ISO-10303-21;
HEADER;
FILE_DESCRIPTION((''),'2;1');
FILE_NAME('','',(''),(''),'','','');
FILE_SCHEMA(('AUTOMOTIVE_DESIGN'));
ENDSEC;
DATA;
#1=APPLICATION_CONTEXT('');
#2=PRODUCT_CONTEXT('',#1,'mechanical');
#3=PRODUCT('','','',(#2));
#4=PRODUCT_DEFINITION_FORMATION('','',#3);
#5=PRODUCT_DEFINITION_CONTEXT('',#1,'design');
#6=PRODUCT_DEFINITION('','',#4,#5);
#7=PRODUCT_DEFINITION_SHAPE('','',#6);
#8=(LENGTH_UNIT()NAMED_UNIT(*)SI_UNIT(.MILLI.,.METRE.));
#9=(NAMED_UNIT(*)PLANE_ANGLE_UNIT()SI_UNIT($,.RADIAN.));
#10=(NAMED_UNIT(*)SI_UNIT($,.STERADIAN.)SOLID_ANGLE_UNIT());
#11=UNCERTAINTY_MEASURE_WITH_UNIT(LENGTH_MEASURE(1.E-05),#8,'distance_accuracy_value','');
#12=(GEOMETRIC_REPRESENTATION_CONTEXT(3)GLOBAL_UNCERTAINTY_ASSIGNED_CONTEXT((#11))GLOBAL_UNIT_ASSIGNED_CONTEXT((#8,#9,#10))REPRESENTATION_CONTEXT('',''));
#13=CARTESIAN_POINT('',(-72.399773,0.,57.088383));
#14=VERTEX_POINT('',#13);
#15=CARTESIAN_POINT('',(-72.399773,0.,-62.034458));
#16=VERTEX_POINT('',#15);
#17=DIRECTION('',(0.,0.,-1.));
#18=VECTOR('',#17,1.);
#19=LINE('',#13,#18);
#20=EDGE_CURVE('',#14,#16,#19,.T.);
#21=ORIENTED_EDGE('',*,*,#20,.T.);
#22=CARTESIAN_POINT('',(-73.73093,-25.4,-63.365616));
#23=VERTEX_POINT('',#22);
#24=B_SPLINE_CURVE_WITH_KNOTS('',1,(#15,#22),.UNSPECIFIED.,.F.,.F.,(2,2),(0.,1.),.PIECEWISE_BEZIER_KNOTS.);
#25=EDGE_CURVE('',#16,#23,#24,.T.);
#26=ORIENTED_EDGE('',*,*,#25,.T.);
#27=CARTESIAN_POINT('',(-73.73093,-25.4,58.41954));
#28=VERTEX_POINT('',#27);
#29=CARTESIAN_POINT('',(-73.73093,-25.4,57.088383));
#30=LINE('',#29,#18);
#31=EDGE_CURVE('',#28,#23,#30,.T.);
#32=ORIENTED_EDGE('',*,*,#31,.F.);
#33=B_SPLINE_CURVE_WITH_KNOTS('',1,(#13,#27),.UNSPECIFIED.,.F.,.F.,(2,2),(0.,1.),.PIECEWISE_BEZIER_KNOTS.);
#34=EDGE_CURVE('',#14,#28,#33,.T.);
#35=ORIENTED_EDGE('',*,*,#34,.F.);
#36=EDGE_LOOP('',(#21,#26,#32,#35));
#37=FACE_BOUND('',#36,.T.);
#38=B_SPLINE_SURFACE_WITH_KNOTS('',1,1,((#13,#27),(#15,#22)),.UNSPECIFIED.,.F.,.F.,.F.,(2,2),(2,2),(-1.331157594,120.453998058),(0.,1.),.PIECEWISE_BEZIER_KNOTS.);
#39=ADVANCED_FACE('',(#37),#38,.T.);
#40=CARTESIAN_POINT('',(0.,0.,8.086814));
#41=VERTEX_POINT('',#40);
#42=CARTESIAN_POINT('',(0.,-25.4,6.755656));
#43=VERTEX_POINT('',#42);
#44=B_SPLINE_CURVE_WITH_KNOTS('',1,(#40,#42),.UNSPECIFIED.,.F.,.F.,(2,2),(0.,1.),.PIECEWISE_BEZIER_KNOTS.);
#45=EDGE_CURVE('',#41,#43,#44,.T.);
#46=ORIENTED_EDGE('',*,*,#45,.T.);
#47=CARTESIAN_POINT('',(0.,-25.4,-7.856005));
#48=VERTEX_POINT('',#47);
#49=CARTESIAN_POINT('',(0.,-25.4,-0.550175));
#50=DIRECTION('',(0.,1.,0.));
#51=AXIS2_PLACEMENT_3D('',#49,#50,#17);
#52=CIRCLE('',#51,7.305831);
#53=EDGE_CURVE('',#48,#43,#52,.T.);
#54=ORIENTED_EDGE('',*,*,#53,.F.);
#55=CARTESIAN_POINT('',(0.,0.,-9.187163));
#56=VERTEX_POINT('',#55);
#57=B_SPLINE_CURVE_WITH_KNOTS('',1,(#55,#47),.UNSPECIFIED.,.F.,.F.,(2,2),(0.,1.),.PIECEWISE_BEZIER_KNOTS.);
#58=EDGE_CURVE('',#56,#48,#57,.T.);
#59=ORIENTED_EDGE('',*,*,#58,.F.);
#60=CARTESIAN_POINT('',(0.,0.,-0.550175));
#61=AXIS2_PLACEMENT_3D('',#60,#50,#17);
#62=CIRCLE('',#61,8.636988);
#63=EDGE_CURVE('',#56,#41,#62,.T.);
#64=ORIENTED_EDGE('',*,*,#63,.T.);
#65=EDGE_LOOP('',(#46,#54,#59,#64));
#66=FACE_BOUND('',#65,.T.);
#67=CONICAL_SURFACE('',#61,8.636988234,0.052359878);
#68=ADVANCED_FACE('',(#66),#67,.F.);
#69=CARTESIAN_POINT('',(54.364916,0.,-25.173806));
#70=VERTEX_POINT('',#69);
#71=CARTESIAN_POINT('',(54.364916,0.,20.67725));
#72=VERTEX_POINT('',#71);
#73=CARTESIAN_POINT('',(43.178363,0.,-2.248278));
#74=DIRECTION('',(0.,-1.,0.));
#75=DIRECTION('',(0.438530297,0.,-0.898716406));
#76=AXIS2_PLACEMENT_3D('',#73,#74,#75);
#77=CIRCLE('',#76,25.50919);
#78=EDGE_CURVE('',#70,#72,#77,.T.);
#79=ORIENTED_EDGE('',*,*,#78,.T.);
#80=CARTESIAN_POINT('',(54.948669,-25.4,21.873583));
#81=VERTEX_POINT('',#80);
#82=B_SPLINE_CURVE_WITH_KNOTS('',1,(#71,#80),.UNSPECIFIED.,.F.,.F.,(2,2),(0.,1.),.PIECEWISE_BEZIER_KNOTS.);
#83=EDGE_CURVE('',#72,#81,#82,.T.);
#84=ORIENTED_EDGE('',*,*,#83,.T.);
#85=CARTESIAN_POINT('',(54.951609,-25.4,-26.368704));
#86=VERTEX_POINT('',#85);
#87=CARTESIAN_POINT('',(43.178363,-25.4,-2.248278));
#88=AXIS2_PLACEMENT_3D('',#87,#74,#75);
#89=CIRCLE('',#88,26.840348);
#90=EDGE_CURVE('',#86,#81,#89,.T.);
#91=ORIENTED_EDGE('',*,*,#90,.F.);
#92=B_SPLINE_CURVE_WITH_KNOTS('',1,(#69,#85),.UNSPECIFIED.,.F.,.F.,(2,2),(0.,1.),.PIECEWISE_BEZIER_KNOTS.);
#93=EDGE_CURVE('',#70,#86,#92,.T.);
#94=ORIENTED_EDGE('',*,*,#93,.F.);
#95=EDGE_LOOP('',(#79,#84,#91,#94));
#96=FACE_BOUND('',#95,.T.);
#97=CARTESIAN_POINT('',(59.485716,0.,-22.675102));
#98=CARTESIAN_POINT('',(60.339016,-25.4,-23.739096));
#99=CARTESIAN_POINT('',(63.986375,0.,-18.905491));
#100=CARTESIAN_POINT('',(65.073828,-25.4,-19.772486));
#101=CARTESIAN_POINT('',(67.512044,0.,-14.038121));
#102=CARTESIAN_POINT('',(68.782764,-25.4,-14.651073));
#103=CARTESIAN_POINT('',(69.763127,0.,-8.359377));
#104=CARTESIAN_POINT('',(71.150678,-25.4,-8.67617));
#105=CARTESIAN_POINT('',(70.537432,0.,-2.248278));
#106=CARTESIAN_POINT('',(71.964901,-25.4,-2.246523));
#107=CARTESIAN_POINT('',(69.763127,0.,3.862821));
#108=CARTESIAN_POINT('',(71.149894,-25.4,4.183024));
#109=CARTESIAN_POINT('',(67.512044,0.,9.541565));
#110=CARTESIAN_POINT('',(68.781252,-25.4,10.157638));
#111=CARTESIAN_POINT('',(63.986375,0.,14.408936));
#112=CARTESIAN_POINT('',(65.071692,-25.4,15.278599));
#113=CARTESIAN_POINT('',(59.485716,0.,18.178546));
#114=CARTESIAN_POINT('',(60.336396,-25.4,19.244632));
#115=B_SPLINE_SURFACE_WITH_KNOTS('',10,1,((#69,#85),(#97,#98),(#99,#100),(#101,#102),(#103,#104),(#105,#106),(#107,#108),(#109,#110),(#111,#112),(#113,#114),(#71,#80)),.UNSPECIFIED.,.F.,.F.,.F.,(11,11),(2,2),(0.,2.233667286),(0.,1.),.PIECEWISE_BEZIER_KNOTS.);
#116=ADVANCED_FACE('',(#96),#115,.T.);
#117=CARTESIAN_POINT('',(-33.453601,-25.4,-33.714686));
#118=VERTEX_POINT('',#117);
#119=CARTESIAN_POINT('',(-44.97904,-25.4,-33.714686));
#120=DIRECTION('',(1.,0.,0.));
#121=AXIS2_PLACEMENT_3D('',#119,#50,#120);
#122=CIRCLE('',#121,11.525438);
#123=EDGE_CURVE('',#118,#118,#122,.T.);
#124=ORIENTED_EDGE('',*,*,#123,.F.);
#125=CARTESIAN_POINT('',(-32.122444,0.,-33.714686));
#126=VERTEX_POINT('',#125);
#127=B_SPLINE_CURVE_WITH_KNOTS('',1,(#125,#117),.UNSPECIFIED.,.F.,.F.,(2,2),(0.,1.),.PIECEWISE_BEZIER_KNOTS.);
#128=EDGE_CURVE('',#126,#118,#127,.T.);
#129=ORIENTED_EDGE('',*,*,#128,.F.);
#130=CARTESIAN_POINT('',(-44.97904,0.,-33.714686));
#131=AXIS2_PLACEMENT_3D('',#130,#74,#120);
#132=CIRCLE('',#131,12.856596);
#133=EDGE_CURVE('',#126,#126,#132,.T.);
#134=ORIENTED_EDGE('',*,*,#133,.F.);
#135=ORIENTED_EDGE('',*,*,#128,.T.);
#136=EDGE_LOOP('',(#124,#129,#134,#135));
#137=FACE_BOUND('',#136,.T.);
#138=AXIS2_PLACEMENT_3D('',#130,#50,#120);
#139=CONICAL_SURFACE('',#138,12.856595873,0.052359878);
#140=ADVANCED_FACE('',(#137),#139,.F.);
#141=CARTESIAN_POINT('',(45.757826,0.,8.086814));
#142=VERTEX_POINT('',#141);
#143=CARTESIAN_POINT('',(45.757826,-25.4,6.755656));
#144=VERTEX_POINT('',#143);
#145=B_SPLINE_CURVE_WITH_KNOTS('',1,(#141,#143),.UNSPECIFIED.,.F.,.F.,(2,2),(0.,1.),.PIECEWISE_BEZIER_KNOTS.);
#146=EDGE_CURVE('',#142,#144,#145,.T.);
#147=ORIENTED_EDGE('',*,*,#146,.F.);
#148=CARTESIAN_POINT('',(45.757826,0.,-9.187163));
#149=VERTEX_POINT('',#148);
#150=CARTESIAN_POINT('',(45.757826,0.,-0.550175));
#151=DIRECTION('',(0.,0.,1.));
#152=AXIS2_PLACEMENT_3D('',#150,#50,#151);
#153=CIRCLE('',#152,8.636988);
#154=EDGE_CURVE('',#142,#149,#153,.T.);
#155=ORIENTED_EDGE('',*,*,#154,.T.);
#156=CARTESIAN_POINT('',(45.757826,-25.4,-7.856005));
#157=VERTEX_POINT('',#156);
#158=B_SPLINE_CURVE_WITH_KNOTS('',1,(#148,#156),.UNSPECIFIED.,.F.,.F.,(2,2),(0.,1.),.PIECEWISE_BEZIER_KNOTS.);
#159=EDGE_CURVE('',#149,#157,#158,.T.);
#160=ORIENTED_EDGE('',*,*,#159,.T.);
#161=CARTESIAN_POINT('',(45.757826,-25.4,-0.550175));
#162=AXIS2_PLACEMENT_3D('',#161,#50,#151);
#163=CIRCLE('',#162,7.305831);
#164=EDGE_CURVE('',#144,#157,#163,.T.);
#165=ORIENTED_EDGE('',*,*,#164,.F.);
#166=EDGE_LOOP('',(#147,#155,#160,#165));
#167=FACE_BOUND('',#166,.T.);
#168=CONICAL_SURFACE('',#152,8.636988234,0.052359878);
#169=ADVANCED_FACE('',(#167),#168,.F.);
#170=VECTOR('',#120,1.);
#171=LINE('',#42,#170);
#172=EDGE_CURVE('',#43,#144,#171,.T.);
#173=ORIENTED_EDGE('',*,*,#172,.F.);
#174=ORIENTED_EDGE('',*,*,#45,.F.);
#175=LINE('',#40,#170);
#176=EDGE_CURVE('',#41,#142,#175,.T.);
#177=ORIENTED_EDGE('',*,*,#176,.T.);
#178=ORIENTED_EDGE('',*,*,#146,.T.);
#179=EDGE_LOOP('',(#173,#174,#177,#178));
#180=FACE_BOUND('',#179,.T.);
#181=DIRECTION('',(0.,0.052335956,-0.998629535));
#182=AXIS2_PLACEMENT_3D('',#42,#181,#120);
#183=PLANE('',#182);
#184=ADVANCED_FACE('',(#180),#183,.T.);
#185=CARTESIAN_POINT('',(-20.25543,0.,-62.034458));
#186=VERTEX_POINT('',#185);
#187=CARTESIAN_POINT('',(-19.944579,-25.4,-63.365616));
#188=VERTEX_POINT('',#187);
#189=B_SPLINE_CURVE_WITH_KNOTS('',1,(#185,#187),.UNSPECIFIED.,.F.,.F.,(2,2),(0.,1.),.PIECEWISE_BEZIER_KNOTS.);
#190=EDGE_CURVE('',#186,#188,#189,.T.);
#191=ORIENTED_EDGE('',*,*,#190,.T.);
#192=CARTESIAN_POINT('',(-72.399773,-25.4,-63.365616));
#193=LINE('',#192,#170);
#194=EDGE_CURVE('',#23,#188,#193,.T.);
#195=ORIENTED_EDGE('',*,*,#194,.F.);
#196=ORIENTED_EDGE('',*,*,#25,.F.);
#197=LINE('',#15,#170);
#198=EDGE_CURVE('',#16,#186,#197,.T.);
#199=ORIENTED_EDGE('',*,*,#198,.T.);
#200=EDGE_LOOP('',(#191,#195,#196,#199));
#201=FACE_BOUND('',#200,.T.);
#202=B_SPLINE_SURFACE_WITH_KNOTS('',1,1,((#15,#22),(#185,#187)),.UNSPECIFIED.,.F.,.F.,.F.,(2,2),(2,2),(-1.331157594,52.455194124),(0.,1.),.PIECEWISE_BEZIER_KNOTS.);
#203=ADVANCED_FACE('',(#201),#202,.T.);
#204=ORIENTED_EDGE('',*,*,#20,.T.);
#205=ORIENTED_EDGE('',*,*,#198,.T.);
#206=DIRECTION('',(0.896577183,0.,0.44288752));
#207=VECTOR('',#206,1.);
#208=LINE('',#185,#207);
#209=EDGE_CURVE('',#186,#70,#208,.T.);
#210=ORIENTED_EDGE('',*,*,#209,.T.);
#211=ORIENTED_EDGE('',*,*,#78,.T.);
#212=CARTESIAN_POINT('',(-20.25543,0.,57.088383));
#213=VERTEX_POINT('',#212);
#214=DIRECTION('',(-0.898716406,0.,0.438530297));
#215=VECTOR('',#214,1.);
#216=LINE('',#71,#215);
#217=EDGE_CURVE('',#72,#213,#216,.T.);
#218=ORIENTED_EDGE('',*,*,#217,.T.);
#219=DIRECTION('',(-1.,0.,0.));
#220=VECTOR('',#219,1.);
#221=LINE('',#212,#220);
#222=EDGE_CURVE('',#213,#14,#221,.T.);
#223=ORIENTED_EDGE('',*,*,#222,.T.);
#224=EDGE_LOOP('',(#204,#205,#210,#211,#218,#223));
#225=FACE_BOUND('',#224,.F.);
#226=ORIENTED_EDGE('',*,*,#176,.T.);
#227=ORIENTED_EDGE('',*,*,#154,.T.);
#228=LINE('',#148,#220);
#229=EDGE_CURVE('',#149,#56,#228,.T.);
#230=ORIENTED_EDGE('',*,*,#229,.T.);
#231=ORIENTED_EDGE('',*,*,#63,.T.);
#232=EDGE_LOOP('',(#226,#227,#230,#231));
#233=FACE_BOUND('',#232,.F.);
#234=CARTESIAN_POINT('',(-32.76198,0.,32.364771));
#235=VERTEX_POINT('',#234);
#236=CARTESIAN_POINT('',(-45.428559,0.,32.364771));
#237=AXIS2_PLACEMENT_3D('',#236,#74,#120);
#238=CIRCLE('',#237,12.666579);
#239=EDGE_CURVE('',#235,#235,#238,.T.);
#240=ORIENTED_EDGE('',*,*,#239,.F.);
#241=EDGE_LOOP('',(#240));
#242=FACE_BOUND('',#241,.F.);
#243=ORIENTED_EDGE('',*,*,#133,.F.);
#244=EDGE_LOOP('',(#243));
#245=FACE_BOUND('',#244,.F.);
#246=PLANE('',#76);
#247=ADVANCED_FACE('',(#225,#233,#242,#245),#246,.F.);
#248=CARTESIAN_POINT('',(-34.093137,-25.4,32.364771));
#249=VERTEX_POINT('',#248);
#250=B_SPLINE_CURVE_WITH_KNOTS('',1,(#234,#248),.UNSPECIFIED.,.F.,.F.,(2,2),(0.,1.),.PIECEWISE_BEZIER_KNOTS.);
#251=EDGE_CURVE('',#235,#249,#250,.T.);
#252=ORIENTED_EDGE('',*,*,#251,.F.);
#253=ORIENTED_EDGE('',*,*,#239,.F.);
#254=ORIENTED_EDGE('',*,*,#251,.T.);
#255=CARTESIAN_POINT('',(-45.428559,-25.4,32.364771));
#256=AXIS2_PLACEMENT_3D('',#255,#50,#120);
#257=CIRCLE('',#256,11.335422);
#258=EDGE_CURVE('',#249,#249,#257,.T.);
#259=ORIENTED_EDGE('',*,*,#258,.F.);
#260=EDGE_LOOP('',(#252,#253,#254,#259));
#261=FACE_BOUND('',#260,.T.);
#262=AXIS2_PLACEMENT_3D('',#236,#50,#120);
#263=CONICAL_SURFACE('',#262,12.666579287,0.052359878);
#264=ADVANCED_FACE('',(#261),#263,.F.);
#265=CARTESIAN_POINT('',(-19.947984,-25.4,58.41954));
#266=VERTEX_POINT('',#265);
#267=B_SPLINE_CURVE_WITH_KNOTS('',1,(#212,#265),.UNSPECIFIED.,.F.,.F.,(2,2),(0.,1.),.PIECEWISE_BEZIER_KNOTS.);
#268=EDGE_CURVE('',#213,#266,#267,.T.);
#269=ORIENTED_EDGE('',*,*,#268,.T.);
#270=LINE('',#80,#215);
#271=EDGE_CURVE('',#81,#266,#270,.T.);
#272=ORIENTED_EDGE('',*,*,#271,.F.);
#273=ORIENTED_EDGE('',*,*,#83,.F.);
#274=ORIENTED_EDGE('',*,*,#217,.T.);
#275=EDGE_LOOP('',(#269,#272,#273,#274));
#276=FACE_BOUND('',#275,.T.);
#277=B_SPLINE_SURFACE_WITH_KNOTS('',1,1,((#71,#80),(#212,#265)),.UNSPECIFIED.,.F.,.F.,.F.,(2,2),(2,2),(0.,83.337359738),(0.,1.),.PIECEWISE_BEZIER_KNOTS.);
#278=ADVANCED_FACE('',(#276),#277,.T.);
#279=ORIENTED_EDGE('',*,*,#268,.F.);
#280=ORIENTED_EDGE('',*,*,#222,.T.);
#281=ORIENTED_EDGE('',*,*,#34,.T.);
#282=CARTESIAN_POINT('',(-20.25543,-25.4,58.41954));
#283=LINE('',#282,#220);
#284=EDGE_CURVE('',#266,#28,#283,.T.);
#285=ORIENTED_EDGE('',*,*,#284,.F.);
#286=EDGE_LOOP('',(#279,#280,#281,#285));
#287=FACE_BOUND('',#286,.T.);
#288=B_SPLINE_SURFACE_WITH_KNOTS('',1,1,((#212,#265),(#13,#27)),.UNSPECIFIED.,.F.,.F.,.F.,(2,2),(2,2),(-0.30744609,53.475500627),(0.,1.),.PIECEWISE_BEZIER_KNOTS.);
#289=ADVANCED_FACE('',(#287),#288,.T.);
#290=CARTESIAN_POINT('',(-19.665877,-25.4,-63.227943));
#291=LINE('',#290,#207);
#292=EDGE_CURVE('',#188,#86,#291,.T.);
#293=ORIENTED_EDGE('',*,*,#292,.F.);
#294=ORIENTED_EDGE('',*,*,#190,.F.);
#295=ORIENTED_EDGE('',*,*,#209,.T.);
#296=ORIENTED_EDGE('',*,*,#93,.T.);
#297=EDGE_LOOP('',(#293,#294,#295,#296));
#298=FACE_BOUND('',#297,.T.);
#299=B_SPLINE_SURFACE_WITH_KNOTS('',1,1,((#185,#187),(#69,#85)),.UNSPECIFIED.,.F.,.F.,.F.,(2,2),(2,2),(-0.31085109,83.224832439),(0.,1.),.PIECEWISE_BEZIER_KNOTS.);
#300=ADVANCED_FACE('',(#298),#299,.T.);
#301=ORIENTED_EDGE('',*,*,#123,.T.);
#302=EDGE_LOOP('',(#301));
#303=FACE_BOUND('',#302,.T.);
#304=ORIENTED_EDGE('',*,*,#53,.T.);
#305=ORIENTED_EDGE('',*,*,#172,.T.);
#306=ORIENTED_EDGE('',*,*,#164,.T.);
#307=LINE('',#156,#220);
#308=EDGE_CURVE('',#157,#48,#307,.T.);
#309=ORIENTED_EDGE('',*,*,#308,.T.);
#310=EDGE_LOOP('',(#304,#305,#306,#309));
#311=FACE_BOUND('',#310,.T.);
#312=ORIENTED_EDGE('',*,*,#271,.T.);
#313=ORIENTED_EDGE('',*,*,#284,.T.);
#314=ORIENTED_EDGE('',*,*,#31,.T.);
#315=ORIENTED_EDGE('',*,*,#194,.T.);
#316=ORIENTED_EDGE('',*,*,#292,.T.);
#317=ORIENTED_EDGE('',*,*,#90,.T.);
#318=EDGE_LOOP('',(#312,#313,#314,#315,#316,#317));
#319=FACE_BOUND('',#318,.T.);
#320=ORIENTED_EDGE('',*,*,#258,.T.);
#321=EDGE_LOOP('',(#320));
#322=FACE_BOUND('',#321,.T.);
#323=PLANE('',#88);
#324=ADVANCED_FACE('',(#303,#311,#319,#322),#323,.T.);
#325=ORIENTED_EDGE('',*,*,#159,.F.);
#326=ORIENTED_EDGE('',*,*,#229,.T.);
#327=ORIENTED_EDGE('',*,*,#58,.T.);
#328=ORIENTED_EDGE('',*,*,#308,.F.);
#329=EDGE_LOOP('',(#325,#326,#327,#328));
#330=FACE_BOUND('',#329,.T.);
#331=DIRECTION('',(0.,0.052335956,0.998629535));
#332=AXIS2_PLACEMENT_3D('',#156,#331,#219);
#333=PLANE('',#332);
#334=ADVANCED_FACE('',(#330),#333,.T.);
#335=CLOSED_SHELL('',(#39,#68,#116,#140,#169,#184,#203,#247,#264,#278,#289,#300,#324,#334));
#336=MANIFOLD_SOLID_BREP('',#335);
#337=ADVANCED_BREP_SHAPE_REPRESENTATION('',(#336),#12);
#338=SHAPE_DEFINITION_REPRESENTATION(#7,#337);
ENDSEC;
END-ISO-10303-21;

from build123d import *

# Parameters (mm, degrees)
F0_R     = 12.8565958729
F0_R_2   = 12.6665792874
F1_DEPTH = 25.4
F1_TAPER = -3


with BuildPart() as f1:
    # F0 (on Front) → F1 (new body)
    with BuildSketch(Plane.XZ):
        with BuildLine():
            Line((-20.2554296702, 57.0883825421), (-72.3997727036, 57.0883825421))
            Line((-72.3997727036, 57.0883825421), (-72.3997727036, -62.034457922))
            Line((-72.3997727036, -62.034457922), (-20.2554296702, -62.034457922))
            Line((-20.2554296702, -62.034457922), (54.3649159372, -25.173805654))
            ThreePointArc((54.3649159372, -25.173805654), (68.6875534055, -2.2482778877), (54.3649159372, 20.6772498786))
            Line((54.3649159372, 20.6772498786), (-20.2554296702, 57.0883825421))
        make_face()
        with Locations((-44.9790395796, -33.7146855891)):
            Circle(F0_R, mode=Mode.SUBTRACT)
        with Locations((-45.4285591841, 32.3647707701)):
            Circle(F0_R_2, mode=Mode.SUBTRACT)
        with BuildLine():
            ThreePointArc((0, -9.1871628538), (-8.6369882338, -0.55017462), (0, 8.0868136138))
            Line((0, 8.0868136138), (45.7578264177, 8.0868136138))
            ThreePointArc((45.7578264177, 8.0868136138), (54.3948146515, -0.55017462), (45.7578264177, -9.1871628538))
            Line((45.7578264177, -9.1871628538), (0, -9.1871628538))
        make_face(mode=Mode.SUBTRACT)
    extrude(amount=F1_DEPTH, taper=F1_TAPER)


solid = f1.part
